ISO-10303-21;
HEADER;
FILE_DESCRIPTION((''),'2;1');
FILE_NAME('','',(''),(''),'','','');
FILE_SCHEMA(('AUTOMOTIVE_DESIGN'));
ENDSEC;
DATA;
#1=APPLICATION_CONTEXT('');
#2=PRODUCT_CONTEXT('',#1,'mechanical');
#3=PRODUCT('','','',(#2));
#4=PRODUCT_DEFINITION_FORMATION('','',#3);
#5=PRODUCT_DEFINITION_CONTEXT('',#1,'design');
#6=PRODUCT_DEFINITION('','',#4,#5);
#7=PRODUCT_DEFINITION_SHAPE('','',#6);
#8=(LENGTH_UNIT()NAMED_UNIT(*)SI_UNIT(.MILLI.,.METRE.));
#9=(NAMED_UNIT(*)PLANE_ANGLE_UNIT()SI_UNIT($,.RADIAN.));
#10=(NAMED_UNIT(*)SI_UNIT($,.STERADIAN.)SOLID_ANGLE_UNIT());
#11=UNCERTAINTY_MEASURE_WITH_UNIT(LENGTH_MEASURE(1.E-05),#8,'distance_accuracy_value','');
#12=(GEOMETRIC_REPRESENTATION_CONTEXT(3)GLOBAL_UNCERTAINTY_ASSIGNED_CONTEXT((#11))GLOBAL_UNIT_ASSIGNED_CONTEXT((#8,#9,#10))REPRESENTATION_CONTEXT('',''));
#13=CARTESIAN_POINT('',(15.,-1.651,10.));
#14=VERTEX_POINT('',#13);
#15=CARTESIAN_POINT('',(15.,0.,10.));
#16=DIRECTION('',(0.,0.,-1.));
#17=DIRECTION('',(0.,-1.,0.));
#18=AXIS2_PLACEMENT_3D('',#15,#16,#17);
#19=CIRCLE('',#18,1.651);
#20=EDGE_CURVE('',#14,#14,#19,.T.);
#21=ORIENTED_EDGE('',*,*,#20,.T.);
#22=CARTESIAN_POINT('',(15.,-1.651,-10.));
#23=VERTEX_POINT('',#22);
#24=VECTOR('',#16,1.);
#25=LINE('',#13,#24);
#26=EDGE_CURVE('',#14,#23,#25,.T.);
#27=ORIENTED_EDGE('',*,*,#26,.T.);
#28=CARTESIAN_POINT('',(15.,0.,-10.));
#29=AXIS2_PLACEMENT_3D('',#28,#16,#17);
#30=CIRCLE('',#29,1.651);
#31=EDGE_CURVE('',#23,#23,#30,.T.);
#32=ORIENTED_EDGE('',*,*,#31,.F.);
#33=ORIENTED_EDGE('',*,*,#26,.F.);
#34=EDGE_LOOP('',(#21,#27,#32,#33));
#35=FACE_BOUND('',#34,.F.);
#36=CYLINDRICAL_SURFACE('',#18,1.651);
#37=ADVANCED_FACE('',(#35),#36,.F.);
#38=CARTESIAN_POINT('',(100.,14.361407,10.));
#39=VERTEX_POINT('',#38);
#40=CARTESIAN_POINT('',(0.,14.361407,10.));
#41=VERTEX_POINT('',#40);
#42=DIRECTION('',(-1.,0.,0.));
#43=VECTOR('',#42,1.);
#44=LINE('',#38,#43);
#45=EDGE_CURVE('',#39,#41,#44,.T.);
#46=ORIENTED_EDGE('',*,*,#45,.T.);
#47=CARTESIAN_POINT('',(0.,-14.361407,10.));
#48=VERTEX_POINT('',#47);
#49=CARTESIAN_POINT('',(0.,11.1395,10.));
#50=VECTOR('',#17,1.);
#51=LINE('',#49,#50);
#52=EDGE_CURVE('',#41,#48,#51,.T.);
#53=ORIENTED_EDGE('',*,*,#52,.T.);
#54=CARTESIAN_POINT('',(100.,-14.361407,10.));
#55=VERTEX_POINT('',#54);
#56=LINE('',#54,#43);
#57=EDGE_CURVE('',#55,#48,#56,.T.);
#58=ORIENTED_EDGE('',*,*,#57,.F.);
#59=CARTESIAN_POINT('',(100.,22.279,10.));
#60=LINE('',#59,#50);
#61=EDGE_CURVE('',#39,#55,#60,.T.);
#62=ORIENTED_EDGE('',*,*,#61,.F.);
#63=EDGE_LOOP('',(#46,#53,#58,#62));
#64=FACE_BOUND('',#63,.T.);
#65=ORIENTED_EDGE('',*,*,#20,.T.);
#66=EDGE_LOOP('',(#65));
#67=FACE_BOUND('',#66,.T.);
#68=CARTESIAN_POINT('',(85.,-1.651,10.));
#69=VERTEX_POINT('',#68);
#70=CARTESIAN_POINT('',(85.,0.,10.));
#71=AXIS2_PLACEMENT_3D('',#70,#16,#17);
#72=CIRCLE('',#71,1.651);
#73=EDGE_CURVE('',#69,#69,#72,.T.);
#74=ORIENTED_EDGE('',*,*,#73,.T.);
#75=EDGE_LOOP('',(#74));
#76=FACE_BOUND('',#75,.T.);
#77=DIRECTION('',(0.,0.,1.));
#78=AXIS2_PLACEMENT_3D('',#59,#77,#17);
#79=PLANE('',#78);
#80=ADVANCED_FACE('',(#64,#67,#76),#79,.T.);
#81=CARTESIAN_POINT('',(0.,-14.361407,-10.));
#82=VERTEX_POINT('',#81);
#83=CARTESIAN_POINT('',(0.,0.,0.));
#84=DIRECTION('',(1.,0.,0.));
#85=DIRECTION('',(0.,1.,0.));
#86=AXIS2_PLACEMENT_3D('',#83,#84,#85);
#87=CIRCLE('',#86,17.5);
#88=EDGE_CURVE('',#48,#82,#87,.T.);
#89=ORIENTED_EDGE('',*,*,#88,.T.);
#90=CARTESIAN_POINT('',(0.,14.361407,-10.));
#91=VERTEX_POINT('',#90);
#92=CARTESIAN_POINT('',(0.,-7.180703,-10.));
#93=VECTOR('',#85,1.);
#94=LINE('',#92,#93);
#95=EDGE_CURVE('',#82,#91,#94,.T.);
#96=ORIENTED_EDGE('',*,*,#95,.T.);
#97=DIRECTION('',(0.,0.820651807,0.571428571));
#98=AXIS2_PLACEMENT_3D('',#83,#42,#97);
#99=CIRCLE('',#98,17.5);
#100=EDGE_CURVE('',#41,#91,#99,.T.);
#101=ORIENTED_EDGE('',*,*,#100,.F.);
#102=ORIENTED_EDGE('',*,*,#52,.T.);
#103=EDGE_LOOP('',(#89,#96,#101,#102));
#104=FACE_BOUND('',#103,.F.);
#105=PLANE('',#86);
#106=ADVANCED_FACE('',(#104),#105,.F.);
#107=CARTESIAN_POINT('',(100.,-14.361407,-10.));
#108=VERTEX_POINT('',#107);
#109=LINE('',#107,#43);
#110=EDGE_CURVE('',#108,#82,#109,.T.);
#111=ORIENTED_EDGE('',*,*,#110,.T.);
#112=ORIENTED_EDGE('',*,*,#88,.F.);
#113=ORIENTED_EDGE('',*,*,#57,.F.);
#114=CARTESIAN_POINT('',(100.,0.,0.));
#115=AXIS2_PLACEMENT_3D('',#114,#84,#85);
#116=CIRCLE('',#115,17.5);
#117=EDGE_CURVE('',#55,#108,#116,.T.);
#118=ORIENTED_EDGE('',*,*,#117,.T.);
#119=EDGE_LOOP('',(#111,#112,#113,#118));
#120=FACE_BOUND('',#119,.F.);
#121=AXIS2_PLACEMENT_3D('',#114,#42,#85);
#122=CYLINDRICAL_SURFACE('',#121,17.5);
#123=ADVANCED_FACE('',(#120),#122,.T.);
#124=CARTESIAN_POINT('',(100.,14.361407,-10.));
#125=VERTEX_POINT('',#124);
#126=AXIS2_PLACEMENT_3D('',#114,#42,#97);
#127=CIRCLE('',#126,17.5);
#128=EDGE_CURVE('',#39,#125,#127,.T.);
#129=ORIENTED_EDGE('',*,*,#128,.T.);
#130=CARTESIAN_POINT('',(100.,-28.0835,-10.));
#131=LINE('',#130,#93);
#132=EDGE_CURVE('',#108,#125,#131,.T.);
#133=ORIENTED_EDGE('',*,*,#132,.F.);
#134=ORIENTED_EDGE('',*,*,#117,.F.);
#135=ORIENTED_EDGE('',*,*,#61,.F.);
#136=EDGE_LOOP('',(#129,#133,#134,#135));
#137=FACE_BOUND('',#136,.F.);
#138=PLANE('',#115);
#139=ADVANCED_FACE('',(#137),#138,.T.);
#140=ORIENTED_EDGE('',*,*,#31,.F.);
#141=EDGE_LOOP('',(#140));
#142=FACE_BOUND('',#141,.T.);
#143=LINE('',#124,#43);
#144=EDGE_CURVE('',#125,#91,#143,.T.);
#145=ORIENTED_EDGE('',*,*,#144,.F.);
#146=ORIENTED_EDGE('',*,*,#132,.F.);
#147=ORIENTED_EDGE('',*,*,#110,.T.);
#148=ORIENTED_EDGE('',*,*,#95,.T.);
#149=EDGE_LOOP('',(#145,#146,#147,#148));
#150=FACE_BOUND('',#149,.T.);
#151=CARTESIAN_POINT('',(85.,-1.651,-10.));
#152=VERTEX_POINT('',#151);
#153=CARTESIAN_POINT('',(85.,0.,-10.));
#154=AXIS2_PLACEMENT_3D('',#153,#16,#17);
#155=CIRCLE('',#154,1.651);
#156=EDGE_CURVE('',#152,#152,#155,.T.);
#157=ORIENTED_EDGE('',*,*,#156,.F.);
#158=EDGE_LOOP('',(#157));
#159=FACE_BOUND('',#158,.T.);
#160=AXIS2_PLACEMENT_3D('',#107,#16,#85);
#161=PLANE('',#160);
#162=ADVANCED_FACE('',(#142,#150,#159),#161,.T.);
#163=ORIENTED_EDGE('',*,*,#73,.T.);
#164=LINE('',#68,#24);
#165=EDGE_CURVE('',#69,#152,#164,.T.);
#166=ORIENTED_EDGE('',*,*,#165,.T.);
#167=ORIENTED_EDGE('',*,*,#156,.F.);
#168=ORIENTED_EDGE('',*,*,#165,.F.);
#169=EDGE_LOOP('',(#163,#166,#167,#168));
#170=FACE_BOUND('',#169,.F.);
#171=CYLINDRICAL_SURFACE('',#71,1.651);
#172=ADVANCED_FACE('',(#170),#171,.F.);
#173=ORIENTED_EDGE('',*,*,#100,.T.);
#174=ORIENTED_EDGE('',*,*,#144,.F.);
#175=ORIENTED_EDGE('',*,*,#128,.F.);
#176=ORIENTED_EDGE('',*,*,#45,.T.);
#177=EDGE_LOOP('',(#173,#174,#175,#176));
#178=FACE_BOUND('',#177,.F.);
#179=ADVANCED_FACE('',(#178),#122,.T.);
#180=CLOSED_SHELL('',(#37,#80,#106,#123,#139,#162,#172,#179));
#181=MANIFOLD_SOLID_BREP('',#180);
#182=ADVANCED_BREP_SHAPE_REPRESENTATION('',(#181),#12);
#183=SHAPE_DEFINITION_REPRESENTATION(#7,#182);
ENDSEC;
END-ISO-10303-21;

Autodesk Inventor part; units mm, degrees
ref_plane "YZ Plane" through (0, 0, 0) normal (1, 0, 0) x (0, 1, 0)
ref_plane "XZ Plane" through (0, 0, 0) normal (0, 1, 0) x (-1, 0, 0)
ref_plane "XY Plane" through (0, 0, 0) normal (0, 0, 1) x (1, 0, 0)
sketch "Sketch1" plane through (0, 0, 0) normal (0, 0, 1) x (1, 0, 0)
  line L0 (0, 0) -> (100, 0)
  line L1 (100, 0) -> (100, 17.5)
  line L2 (100, 17.5) -> (0, 17.5)
  line L3 (0, 17.5) -> (0, 0)
  dimension "d0" = 100
  dimension "d1" = 17.5
revolve "Revolution1" add sketch "Sketch1" angle 360 about axis through (0, 0, 0) along (1, 0, 0)
sketch "Sketch2" plane through (100, 0, 0) normal (1, 0, 0) x (0, 0, -1)
  line L0 (-22.6333, 22.279) -> (-10, 22.279)
  line L1 (-10, 22.279) -> (-10, -22.279)
  line L2 (-10, -22.279) -> (-22.6333, -22.279)
  line L3 (-22.6333, -22.279) -> (-22.6333, 22.279)
  line L4 (10, 22.279) -> (22.1679, 22.279)
  line L5 (22.1679, 22.279) -> (22.1679, -28.0835)
  line L6 (22.1679, -28.0835) -> (10, -28.0835)
  line L7 (10, -28.0835) -> (10, 22.279)
  circle A0 centre (0, 0) radius 17.5 projected
  dimension "d3" = 50.3625
  dimension "d4" = 44.558
  dimension "d5" = 20
  dimension "d6" = 10
  dimension "d7" = 22.279
  dimension "d8" = 12.1679
  dimension "d9" = 12.6333
  dimension "d22" = 35
extrude "Extrusion1" cut sketch "Sketch2" against normal through all contours L0 L1 A0 L2 L3 | L1 A0 | A0 L7 | L7 L4 L5 L6 A0
sketch "Sketch3" plane through (100, -14.3614, 10) normal (0, 0, 1) x (1, 0, 0)
  line L0 (0, 28.7228) -> (0, 0) projected
  line L1 (-100, 0) -> (-100, 28.7228) projected
  point P0 (-100, 14.3614)
  point P1 (-85, 14.3614)
  point P2 (-15, 14.3614)
  point P3 (0, 14.3614)
  dimension "d12" = 15
  dimension "d13" = 15
  dimension "d14" = 70
hole "Hole1" at (15, 0, 10) at (85, 0, 10) direction (0, 0, -1) diameter 3.302 end through all thread size "8-32 UNC" class "2B" standard "ANSI Unified Screw Threads"
equation "\"d6\" = 0.5 * d5"
equation "\"d7\" = 0.5 * d4"
equation "\"d13\" = d12"
properties part number "Top_Lever Handle" material "Wood (Oak)"
